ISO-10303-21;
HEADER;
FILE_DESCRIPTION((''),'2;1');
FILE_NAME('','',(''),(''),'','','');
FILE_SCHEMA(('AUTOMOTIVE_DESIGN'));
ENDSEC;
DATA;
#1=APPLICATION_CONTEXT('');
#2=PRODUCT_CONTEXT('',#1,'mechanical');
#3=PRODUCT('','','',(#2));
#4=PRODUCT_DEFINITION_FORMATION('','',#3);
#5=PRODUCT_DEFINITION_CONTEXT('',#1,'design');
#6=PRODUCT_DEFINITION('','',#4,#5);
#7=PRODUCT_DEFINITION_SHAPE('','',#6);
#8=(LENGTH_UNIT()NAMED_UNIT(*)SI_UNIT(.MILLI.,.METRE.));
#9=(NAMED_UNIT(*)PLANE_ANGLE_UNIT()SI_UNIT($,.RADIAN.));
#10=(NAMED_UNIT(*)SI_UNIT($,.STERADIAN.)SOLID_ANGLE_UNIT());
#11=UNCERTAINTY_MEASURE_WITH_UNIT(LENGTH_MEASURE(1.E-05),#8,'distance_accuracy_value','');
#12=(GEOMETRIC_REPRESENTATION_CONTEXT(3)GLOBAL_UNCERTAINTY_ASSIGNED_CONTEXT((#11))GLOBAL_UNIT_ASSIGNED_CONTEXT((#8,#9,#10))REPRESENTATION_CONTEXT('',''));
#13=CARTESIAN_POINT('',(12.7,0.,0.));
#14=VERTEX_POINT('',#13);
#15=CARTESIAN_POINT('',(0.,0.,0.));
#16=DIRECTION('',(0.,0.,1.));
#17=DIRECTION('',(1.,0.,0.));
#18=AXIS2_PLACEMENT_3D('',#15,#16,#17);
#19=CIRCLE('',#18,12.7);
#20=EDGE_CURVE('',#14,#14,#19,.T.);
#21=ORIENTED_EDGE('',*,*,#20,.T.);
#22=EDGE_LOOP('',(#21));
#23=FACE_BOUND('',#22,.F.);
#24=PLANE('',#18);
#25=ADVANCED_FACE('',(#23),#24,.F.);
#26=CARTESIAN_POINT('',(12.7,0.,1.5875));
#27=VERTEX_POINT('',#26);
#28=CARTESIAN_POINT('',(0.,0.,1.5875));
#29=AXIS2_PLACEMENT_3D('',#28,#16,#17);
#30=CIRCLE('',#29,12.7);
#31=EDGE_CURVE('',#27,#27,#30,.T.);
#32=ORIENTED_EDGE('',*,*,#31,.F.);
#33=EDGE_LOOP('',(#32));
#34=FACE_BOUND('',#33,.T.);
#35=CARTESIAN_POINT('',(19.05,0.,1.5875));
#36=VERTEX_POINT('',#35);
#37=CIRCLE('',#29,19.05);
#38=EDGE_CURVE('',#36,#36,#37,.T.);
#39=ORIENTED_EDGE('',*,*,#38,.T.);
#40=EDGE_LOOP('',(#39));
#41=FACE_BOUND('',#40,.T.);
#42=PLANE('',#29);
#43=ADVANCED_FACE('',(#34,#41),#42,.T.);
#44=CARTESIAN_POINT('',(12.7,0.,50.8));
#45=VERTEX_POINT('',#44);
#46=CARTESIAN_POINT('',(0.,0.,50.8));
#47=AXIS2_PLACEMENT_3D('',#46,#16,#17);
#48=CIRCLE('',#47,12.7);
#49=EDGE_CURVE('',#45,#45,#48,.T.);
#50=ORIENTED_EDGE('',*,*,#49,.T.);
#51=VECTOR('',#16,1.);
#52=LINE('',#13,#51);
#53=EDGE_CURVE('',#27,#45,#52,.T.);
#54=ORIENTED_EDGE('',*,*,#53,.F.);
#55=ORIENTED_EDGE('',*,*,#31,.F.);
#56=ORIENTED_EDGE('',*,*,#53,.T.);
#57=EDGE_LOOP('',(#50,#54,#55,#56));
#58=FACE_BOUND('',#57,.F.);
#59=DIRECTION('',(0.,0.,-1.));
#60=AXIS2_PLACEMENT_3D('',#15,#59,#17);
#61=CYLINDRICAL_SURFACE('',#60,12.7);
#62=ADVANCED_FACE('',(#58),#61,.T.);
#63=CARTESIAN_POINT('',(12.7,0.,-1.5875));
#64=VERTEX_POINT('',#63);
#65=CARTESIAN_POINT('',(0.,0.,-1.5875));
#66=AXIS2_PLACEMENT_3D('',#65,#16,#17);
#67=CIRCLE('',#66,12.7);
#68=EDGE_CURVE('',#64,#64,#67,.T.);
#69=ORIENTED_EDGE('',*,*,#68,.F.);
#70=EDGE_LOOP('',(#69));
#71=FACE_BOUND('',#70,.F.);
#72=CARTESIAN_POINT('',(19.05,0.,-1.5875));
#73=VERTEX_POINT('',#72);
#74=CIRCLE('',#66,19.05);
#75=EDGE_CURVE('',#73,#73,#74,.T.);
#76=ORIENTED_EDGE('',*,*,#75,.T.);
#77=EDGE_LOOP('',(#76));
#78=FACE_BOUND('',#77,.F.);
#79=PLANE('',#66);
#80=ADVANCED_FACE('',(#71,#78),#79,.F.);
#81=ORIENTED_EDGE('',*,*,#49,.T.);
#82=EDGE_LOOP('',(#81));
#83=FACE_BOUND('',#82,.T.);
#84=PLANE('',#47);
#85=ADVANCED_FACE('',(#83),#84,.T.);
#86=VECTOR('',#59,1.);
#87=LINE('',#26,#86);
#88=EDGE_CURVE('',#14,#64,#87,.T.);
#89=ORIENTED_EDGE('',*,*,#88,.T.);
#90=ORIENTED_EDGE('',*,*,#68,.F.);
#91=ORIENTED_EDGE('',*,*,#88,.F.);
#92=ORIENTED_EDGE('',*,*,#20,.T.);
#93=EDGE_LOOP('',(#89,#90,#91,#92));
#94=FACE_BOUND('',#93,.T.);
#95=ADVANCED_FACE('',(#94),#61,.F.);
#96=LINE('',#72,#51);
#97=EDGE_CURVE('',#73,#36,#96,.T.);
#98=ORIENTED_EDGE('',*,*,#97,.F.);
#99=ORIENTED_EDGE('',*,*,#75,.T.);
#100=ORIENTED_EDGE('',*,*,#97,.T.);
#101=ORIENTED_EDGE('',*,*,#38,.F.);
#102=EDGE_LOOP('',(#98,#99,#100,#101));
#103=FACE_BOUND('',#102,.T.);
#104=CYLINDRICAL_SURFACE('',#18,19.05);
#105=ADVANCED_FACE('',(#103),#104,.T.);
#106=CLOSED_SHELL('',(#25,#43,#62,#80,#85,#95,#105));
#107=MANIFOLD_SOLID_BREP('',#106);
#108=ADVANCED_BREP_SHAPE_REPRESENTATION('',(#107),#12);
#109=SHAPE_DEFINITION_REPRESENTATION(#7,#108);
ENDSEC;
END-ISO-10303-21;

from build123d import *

# Parameters (mm, degrees)
F0_R     = 12.7
F1_DEPTH = 50.8
F0_R_2   = 19.05
F2_DEPTH = 1.5875


with BuildPart() as f1:
    # F0 (on Top) → F1 (new body)
    with BuildSketch(Plane.XY):
        Circle(F0_R)
    extrude(amount=F1_DEPTH)

    # F0 (on Top) → F2 (join, symmetric)
    with BuildSketch(Plane.XY):
        Circle(F0_R_2)
        Circle(F0_R, mode=Mode.SUBTRACT)
    extrude(amount=F2_DEPTH, both=True)


solid = f1.part
